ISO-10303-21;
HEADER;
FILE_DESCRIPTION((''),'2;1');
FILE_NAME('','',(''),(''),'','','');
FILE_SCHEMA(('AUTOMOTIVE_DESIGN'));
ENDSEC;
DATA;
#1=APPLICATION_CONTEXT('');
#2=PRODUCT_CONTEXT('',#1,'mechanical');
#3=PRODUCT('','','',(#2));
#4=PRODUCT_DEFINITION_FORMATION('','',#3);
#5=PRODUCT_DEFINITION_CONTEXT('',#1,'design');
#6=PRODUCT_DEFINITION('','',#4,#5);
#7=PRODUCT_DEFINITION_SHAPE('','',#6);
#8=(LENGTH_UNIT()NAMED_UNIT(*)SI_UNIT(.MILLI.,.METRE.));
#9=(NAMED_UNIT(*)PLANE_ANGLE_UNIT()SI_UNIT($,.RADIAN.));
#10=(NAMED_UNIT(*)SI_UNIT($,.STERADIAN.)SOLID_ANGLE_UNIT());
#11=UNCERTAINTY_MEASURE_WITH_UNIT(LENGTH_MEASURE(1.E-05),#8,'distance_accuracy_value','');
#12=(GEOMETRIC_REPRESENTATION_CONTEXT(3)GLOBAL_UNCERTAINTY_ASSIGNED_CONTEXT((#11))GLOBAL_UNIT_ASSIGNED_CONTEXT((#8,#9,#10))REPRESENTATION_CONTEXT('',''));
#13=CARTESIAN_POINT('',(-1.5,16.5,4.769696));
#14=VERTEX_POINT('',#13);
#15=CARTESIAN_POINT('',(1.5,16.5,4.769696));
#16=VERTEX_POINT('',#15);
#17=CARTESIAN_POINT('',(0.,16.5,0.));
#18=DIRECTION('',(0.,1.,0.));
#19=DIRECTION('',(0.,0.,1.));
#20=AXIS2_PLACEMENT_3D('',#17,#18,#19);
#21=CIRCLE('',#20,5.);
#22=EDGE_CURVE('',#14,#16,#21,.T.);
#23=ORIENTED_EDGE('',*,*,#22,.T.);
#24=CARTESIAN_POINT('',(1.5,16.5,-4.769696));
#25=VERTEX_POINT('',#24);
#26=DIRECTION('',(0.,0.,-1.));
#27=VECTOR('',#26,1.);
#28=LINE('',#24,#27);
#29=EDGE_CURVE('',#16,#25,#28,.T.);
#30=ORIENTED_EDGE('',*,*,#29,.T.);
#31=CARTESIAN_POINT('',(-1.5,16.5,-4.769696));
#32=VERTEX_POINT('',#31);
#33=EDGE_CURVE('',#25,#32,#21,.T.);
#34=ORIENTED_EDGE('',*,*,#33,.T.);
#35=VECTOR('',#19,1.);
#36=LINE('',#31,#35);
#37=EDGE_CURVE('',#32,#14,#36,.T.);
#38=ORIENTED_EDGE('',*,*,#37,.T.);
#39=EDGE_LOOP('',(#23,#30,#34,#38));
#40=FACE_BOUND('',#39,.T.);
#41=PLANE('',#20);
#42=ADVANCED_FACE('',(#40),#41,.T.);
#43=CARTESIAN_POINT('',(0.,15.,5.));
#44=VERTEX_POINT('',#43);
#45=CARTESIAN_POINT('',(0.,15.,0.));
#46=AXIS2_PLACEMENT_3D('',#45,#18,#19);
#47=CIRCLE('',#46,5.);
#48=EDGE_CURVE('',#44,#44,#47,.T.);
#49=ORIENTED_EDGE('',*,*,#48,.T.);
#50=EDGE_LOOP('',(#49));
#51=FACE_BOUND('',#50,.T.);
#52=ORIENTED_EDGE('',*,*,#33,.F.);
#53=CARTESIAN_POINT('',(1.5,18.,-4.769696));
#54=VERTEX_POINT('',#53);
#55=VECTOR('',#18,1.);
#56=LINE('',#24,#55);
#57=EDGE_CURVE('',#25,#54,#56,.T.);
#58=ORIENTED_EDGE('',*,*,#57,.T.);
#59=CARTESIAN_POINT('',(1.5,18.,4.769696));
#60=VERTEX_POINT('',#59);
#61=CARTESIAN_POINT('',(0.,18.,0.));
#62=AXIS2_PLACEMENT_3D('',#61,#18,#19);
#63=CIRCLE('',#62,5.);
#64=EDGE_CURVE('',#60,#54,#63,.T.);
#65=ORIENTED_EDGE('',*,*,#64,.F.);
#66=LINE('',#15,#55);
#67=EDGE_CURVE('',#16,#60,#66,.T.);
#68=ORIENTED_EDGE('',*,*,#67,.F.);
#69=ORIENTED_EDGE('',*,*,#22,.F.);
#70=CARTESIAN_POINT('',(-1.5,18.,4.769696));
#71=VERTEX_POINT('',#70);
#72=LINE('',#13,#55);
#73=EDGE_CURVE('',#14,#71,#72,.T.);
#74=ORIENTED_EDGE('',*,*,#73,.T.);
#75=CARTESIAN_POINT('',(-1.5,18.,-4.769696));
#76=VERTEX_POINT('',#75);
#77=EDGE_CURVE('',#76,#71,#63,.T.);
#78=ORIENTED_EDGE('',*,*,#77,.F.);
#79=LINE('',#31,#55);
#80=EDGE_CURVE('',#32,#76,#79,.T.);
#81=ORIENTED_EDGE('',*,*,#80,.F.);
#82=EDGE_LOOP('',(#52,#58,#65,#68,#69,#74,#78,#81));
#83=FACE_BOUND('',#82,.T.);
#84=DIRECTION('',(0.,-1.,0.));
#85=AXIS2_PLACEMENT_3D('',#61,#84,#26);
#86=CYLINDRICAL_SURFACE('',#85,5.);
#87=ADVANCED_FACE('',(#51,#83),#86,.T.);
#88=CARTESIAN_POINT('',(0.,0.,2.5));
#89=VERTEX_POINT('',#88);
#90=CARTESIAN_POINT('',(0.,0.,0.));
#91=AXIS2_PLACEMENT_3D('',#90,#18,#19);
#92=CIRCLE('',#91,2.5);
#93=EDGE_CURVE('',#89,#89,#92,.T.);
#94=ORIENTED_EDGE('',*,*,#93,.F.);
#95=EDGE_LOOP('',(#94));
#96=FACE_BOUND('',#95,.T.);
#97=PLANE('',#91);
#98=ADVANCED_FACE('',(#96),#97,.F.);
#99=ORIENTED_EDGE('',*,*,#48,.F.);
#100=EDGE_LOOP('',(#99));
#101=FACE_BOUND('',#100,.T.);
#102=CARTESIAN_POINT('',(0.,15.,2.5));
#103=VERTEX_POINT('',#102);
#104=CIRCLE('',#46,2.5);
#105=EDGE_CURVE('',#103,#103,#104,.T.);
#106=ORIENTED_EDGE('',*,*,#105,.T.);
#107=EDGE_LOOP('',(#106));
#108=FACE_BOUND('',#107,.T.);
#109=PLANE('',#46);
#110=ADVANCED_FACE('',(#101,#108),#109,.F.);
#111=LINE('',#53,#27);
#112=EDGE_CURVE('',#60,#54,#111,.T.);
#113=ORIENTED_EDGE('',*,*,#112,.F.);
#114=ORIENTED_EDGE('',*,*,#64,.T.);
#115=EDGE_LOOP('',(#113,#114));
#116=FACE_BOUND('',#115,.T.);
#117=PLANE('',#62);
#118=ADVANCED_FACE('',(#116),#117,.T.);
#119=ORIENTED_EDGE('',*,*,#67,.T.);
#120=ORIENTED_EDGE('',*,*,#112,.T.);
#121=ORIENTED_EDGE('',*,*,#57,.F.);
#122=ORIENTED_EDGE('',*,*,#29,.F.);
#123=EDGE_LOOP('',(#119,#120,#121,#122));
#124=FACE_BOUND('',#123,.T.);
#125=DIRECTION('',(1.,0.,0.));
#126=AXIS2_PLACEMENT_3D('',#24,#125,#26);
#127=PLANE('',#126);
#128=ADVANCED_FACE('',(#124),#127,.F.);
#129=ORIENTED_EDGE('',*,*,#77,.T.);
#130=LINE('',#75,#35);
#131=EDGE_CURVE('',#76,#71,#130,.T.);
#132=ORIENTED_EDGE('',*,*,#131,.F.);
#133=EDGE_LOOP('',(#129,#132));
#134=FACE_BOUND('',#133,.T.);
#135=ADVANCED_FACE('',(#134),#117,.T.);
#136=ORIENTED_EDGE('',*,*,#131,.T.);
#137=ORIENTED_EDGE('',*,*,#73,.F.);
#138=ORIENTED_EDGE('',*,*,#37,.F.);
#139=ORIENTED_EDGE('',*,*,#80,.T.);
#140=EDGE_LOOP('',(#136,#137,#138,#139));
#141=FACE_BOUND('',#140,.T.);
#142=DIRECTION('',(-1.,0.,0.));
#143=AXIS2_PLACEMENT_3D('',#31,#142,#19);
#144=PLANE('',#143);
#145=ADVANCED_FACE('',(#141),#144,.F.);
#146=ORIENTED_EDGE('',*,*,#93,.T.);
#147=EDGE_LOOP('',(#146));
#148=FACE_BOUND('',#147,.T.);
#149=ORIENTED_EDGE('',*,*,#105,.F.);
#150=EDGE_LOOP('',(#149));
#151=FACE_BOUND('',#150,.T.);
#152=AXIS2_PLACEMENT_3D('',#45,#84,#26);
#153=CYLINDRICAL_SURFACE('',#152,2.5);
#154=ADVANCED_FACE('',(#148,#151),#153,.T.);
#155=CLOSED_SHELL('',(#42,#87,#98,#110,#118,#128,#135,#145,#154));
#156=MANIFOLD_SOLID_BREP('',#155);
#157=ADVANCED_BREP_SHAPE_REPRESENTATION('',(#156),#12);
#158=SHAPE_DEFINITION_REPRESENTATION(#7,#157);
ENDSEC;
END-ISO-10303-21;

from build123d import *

# Parameters (mm, degrees)
SKETCH1_R           = 2.5
BOSS_EXTRUDE1_DEPTH = 15
SKETCH2_R           = 5
BOSS_EXTRUDE2_DEPTH = 3
CUT_EXTRUDE1_START  = -1.5
CUT_EXTRUDE1_DEPTH  = 1.5


with BuildPart() as part:
    # Sketch1 → Boss-Extrude1 (new body)
    with BuildSketch(Plane(origin=(0, 0, 0), x_dir=(1, 0, 0), z_dir=(0, 1, 0))):
        with Locations(Location((0, 0, 0), (0, 0, 270))):
            Circle(SKETCH1_R)
    extrude(amount=BOSS_EXTRUDE1_DEPTH)

    # Sketch2 → Boss-Extrude2 (add)
    with BuildSketch(Plane(origin=(0, 15, 0), x_dir=(1, 0, 0), z_dir=(0, 1, 0))):
        with Locations(Location((0, 0, 0), (0, 0, 270))):
            Circle(SKETCH2_R)
    extrude(amount=BOSS_EXTRUDE2_DEPTH)

    # Sketch3 → Cut-Extrude1 (cut)
    with BuildSketch(Plane(origin=(0, 18, 0), x_dir=(1, 0, 0), z_dir=(0, 1, 0)).offset(CUT_EXTRUDE1_START)):
        with BuildLine():
            Line((-1.5, 4.769696007), (-1.5, -4.769696007))
            ThreePointArc((-1.5, -4.769696007), (0, -5), (1.5, -4.769696007))
            Line((1.5, -4.769696007), (1.5, 4.769696007))
            ThreePointArc((1.5, 4.769696007), (0, 5), (-1.5, 4.769696007))
        make_face()
    extrude(amount=CUT_EXTRUDE1_DEPTH, mode=Mode.SUBTRACT)


solid = part.part
